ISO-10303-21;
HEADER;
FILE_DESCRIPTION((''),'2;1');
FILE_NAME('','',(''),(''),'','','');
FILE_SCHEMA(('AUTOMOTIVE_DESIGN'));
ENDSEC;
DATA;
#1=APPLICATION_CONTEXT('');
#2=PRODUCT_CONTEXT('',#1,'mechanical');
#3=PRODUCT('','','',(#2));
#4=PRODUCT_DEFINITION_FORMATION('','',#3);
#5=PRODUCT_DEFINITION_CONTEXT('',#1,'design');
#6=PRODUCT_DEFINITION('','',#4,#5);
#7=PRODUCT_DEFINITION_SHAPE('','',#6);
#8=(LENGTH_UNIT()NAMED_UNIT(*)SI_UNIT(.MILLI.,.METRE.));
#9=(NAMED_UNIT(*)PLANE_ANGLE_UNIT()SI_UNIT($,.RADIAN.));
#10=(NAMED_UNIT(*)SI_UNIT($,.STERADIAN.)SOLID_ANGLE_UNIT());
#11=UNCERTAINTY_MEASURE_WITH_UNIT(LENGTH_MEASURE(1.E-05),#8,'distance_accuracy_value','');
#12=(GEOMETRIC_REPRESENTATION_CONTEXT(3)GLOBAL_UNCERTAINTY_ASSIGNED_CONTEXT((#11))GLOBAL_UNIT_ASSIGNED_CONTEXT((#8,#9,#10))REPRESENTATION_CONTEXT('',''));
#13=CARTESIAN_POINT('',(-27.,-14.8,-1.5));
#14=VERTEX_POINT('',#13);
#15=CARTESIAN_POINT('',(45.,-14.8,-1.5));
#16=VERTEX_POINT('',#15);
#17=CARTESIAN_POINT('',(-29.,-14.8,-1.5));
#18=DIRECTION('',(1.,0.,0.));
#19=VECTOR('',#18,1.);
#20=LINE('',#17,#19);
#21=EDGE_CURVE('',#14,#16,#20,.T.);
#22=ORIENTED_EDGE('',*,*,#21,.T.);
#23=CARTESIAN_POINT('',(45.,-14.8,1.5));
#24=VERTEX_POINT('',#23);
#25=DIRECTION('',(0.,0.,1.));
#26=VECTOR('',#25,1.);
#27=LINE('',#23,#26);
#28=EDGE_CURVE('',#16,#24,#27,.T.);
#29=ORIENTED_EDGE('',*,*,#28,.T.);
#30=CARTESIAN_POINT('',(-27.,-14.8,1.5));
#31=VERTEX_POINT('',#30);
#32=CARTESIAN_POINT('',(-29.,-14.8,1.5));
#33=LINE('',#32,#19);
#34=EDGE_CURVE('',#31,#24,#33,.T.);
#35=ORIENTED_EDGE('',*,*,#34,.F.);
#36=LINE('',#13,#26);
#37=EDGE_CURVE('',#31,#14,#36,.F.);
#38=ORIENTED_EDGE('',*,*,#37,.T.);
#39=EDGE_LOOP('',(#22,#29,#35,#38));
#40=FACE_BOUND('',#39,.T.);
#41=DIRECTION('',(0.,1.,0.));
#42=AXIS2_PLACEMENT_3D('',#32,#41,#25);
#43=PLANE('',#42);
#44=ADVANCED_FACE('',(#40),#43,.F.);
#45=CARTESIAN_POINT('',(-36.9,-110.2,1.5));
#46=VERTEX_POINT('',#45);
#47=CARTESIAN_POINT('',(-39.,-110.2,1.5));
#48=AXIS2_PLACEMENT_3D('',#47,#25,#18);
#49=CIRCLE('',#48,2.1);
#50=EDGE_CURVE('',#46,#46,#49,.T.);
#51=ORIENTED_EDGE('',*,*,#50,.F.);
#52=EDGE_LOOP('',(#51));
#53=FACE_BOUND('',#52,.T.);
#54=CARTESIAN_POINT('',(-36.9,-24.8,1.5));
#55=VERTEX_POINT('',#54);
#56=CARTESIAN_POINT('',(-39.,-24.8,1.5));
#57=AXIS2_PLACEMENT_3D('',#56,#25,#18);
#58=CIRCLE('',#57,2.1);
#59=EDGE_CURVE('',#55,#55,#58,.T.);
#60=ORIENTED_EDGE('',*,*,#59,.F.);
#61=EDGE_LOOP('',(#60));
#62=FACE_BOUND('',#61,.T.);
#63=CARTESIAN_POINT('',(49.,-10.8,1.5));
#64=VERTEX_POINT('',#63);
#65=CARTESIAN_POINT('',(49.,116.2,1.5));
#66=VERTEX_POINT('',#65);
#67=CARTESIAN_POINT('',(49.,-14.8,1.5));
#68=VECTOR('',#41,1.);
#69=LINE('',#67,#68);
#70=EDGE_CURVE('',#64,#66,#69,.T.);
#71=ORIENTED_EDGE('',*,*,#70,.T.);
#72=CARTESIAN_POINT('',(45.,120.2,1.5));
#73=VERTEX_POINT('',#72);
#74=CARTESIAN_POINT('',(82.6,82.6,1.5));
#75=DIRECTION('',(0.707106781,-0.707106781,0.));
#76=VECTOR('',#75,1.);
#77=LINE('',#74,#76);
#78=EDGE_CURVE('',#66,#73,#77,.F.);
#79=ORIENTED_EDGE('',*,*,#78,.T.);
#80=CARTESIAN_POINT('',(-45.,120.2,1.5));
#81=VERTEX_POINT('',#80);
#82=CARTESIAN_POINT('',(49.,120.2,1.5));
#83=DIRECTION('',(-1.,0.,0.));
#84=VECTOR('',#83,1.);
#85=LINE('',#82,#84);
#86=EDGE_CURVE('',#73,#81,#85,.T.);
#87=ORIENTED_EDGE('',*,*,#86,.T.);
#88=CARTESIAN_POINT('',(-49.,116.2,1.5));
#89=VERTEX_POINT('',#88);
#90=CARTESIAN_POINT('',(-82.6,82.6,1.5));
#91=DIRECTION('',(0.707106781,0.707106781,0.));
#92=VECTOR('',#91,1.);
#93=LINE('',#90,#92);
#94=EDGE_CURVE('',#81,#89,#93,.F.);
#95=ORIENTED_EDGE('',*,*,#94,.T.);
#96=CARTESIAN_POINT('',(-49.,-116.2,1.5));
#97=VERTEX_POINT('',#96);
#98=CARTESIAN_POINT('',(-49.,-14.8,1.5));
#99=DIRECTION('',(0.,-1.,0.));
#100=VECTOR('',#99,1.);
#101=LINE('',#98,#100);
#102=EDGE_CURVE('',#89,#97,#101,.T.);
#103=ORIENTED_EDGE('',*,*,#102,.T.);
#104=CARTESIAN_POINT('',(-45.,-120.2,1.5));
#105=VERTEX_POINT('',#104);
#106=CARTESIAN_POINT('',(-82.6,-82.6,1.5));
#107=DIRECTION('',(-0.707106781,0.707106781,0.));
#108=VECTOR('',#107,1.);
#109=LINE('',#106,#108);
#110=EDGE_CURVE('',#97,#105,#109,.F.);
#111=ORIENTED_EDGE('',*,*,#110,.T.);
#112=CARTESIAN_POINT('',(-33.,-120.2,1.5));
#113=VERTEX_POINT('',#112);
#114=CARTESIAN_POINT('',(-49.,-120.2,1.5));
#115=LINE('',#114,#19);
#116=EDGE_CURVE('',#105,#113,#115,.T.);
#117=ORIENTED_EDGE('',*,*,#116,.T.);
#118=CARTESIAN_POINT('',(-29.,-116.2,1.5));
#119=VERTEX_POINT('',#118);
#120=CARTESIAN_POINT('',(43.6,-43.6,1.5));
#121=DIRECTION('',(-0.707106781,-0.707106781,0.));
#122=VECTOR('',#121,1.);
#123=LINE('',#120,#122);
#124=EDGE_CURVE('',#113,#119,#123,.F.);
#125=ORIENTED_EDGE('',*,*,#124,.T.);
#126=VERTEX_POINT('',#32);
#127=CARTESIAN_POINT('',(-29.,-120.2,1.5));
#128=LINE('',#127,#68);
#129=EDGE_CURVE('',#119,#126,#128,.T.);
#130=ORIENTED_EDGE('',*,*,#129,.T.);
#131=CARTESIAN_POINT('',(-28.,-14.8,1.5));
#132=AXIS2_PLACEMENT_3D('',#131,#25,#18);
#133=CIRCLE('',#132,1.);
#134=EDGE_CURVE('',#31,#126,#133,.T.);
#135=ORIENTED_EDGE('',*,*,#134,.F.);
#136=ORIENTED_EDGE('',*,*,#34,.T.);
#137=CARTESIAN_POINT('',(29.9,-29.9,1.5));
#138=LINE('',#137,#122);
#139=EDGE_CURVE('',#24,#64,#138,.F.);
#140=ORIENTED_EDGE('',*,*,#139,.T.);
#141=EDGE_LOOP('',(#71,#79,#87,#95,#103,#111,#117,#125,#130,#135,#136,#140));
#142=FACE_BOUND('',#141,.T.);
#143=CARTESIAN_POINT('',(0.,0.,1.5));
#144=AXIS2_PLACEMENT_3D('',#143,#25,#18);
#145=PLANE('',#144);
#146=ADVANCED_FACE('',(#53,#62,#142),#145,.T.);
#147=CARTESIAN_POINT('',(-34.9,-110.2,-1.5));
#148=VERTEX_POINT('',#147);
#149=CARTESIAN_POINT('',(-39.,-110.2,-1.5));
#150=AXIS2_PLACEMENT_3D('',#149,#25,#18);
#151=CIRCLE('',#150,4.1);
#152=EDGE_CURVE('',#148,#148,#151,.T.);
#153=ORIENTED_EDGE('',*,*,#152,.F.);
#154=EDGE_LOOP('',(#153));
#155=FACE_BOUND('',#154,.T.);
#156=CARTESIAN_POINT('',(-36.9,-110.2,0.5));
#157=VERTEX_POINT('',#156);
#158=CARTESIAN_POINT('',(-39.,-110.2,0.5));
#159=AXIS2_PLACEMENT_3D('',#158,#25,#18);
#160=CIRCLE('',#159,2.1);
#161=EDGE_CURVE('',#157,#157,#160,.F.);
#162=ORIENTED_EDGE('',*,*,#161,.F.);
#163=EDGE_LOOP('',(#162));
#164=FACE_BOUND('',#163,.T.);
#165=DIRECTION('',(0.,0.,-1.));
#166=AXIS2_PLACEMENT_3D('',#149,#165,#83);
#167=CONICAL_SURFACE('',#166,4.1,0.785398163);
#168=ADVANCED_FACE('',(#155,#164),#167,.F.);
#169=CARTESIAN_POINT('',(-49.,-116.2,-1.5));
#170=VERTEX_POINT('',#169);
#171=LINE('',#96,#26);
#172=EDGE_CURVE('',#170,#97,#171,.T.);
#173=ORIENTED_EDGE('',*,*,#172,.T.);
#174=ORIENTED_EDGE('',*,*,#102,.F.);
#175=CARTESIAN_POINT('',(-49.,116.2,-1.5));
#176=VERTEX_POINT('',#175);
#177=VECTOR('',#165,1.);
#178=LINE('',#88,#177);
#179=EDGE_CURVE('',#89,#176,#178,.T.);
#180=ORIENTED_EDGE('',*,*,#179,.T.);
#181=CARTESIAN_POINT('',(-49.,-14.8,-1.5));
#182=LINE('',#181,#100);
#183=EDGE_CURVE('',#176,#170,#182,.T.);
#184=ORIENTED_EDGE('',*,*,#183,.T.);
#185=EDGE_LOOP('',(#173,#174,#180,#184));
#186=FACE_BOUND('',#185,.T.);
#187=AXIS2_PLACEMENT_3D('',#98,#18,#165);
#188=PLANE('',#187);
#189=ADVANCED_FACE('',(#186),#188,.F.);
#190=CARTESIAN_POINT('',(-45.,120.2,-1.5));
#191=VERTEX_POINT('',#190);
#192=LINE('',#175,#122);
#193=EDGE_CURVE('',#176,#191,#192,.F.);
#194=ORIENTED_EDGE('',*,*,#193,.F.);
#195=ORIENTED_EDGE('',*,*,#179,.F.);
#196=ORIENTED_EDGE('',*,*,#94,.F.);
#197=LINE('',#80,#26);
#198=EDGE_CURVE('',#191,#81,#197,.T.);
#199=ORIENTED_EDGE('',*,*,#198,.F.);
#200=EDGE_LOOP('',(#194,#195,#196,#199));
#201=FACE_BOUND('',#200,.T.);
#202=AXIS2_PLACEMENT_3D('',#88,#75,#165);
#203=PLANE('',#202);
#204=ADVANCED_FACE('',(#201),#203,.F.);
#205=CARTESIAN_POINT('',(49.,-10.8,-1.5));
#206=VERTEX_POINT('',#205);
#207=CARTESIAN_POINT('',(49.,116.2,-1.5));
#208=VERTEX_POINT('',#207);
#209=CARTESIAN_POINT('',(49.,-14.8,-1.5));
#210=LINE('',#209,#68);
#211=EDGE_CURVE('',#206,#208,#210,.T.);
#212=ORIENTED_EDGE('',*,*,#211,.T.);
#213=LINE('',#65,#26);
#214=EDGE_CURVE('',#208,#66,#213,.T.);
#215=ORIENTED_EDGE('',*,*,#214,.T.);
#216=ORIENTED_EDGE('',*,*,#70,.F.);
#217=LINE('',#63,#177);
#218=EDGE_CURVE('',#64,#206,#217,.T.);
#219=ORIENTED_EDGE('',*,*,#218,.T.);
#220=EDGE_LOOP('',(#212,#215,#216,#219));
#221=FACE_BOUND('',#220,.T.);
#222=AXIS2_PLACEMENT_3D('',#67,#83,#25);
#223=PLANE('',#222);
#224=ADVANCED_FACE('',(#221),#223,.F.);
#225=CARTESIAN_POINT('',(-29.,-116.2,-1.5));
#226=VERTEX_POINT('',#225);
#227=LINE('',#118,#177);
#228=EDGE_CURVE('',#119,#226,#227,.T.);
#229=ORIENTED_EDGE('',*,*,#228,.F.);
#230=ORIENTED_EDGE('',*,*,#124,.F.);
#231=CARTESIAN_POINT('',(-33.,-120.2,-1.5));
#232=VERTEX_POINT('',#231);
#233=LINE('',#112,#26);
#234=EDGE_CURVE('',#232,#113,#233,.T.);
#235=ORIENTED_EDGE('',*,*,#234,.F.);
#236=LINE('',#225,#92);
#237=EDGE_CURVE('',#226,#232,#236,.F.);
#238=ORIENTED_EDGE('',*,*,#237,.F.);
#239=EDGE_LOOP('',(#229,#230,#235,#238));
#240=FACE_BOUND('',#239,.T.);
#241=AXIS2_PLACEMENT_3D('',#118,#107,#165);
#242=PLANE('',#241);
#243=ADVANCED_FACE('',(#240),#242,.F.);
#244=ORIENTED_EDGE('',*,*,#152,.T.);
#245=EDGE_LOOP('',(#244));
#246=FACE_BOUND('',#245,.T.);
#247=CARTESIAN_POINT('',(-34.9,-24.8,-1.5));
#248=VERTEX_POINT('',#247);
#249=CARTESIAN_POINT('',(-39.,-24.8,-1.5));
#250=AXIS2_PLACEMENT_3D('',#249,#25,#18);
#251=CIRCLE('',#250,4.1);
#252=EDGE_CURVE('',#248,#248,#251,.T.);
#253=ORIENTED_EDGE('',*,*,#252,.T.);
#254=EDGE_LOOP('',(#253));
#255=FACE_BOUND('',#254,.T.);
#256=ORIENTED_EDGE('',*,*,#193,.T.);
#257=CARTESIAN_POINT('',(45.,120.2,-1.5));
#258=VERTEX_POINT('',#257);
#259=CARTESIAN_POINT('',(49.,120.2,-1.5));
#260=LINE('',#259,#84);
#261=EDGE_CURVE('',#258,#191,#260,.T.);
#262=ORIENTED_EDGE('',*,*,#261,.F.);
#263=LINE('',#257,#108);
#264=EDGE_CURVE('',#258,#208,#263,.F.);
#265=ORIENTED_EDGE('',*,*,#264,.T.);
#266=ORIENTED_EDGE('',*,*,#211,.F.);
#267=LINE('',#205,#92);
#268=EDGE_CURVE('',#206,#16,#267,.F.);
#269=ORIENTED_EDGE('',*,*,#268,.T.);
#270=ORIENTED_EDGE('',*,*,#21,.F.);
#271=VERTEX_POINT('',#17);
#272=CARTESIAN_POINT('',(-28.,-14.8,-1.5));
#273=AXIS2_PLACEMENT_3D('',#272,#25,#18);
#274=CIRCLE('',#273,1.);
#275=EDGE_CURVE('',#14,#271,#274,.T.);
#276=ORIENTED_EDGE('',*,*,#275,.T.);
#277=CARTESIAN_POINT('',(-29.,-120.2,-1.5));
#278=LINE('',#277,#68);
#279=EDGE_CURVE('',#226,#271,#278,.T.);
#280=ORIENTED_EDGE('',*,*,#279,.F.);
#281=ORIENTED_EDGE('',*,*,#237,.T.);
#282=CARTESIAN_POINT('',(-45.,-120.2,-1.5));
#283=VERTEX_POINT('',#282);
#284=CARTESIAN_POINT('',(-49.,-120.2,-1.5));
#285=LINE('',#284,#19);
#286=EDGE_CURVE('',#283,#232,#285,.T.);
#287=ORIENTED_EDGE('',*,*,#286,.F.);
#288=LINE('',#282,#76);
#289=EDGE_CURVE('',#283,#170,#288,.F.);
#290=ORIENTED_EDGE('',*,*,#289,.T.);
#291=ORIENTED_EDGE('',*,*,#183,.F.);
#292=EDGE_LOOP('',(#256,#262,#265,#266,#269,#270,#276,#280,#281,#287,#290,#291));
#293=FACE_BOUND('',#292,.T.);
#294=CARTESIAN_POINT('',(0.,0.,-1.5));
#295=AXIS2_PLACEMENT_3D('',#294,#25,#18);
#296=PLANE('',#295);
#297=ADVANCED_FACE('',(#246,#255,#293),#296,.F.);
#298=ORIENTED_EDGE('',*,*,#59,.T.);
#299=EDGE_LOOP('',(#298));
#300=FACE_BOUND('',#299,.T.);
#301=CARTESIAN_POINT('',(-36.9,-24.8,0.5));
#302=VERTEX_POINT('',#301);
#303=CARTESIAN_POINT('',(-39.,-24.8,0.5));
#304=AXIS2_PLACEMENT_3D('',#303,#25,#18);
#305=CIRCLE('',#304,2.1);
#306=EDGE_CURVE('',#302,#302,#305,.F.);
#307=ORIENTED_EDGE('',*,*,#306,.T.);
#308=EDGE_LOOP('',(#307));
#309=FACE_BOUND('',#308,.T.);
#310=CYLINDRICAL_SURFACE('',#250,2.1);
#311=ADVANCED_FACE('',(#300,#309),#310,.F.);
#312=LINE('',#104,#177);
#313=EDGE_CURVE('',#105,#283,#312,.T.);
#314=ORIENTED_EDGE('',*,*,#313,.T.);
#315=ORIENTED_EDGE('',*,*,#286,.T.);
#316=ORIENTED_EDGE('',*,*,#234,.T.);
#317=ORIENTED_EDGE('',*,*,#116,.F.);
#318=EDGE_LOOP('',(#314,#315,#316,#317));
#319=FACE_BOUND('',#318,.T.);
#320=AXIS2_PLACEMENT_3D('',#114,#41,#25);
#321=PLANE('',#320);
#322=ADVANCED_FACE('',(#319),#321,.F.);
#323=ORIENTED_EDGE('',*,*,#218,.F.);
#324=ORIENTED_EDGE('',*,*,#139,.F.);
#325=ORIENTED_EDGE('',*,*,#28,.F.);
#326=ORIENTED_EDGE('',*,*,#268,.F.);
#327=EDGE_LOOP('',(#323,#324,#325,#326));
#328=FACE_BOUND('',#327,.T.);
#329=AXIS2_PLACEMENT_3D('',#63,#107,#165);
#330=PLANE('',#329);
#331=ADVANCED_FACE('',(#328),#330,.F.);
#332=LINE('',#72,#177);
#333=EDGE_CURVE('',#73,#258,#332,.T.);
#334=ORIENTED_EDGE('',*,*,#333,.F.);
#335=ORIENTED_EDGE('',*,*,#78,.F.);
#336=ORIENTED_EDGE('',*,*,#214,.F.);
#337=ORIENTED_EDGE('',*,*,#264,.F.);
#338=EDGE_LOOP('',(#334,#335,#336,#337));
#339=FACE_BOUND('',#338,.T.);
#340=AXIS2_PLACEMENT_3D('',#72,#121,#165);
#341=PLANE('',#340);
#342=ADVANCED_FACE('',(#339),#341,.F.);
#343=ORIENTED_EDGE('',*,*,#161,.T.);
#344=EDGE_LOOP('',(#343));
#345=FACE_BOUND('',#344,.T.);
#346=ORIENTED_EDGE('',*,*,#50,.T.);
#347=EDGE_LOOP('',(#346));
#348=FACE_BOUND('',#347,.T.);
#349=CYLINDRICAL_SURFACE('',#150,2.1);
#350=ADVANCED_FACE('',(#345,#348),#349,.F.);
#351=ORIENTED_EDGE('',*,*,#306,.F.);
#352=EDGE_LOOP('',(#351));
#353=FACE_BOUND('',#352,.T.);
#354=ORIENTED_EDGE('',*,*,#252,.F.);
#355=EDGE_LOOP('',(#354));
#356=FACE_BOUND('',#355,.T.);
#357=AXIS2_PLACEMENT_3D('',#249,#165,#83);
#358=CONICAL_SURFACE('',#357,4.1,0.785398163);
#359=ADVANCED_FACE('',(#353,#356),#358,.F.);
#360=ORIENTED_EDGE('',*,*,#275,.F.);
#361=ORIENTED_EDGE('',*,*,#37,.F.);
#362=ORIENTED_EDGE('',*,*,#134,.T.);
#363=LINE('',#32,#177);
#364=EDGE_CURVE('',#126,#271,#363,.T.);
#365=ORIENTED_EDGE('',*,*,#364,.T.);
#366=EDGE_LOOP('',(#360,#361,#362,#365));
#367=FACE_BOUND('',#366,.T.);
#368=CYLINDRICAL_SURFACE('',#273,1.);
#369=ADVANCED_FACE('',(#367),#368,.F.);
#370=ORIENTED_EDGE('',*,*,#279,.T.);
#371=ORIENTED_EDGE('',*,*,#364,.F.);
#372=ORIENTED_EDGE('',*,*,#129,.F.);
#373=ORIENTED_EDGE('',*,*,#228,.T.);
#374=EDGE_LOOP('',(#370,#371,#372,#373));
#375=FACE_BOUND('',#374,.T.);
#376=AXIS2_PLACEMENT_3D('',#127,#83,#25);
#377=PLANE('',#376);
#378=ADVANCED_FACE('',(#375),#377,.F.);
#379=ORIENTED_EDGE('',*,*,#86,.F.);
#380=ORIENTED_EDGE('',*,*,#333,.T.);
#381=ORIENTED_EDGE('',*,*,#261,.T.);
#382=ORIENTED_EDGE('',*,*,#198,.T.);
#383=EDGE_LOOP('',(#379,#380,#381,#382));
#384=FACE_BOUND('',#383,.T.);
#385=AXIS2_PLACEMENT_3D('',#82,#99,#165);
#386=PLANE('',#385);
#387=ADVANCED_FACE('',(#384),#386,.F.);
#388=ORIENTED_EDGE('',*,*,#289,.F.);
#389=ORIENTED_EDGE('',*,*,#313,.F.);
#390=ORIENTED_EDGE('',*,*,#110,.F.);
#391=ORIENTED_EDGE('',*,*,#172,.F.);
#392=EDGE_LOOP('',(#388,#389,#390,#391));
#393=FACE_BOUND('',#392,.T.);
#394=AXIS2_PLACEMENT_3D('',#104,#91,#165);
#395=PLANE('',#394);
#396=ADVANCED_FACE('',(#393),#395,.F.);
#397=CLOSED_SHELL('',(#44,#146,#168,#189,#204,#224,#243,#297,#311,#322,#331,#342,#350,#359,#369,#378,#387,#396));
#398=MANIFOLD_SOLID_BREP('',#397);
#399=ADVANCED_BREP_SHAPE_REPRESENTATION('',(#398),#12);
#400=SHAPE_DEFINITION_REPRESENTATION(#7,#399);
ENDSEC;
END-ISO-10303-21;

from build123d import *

# Parameters (mm, degrees)
EXTRUDE_1_DEPTH     = 1.5
CHAMFER_1_SIZE      = 4
SKETCH_2_R          = 1
CUT_EXTRUDE_1_DEPTH = 130.838515087
SKETCH_3_R          = 2.1
CUT_EXTRUDE_2_DEPTH = 130.838515087
CHAMFER_2_SIZE      = 2


with BuildPart() as part:
    # 草图1 → 凸台-拉伸1 (new, symmetric)
    with BuildSketch(Plane.XY):
        Polygon((-49, -120.2), (-29, -120.2), (-29, -14.8), (49, -14.8), (49, 120.2), (-49, 120.2), (-49, -14.8), align=None)
    extrude(amount=EXTRUDE_1_DEPTH, both=True)

    # 倒角1
    chamfer_1_edges = [part.edges().sort_by_distance(p)[0] for p in [
        (-49, 120.2, 0),
        (49, 120.2, 0),
        (49, -14.8, 0),
        (-29, -120.2, 0),
        (-49, -120.2, 0),
    ]]
    chamfer(chamfer_1_edges, length=CHAMFER_1_SIZE)

    # 草图2 → 切除-拉伸1 (cut, through all)
    with BuildSketch(Plane.XY.offset(1.5)):
        with Locations((-28, -14.8)):
            Circle(SKETCH_2_R)
    extrude(amount=-CUT_EXTRUDE_1_DEPTH, mode=Mode.SUBTRACT)

    # 草图3 → 切除-拉伸2 (cut, through all)
    with BuildSketch(Plane.XY.offset(1.5)):
        with Locations((-39, -110.2)):
            Circle(SKETCH_3_R)
        with Locations((-39, -24.8)):
            Circle(SKETCH_3_R)
    extrude(amount=-CUT_EXTRUDE_2_DEPTH, mode=Mode.SUBTRACT)

    # 倒角2
    chamfer_2_edges = [part.edges().sort_by_distance(p)[0] for p in [
        (-41.1, -110.2, -1.5),
        (-41.1, -24.8, -1.5),
    ]]
    chamfer(chamfer_2_edges, length=CHAMFER_2_SIZE)


solid = part.part
